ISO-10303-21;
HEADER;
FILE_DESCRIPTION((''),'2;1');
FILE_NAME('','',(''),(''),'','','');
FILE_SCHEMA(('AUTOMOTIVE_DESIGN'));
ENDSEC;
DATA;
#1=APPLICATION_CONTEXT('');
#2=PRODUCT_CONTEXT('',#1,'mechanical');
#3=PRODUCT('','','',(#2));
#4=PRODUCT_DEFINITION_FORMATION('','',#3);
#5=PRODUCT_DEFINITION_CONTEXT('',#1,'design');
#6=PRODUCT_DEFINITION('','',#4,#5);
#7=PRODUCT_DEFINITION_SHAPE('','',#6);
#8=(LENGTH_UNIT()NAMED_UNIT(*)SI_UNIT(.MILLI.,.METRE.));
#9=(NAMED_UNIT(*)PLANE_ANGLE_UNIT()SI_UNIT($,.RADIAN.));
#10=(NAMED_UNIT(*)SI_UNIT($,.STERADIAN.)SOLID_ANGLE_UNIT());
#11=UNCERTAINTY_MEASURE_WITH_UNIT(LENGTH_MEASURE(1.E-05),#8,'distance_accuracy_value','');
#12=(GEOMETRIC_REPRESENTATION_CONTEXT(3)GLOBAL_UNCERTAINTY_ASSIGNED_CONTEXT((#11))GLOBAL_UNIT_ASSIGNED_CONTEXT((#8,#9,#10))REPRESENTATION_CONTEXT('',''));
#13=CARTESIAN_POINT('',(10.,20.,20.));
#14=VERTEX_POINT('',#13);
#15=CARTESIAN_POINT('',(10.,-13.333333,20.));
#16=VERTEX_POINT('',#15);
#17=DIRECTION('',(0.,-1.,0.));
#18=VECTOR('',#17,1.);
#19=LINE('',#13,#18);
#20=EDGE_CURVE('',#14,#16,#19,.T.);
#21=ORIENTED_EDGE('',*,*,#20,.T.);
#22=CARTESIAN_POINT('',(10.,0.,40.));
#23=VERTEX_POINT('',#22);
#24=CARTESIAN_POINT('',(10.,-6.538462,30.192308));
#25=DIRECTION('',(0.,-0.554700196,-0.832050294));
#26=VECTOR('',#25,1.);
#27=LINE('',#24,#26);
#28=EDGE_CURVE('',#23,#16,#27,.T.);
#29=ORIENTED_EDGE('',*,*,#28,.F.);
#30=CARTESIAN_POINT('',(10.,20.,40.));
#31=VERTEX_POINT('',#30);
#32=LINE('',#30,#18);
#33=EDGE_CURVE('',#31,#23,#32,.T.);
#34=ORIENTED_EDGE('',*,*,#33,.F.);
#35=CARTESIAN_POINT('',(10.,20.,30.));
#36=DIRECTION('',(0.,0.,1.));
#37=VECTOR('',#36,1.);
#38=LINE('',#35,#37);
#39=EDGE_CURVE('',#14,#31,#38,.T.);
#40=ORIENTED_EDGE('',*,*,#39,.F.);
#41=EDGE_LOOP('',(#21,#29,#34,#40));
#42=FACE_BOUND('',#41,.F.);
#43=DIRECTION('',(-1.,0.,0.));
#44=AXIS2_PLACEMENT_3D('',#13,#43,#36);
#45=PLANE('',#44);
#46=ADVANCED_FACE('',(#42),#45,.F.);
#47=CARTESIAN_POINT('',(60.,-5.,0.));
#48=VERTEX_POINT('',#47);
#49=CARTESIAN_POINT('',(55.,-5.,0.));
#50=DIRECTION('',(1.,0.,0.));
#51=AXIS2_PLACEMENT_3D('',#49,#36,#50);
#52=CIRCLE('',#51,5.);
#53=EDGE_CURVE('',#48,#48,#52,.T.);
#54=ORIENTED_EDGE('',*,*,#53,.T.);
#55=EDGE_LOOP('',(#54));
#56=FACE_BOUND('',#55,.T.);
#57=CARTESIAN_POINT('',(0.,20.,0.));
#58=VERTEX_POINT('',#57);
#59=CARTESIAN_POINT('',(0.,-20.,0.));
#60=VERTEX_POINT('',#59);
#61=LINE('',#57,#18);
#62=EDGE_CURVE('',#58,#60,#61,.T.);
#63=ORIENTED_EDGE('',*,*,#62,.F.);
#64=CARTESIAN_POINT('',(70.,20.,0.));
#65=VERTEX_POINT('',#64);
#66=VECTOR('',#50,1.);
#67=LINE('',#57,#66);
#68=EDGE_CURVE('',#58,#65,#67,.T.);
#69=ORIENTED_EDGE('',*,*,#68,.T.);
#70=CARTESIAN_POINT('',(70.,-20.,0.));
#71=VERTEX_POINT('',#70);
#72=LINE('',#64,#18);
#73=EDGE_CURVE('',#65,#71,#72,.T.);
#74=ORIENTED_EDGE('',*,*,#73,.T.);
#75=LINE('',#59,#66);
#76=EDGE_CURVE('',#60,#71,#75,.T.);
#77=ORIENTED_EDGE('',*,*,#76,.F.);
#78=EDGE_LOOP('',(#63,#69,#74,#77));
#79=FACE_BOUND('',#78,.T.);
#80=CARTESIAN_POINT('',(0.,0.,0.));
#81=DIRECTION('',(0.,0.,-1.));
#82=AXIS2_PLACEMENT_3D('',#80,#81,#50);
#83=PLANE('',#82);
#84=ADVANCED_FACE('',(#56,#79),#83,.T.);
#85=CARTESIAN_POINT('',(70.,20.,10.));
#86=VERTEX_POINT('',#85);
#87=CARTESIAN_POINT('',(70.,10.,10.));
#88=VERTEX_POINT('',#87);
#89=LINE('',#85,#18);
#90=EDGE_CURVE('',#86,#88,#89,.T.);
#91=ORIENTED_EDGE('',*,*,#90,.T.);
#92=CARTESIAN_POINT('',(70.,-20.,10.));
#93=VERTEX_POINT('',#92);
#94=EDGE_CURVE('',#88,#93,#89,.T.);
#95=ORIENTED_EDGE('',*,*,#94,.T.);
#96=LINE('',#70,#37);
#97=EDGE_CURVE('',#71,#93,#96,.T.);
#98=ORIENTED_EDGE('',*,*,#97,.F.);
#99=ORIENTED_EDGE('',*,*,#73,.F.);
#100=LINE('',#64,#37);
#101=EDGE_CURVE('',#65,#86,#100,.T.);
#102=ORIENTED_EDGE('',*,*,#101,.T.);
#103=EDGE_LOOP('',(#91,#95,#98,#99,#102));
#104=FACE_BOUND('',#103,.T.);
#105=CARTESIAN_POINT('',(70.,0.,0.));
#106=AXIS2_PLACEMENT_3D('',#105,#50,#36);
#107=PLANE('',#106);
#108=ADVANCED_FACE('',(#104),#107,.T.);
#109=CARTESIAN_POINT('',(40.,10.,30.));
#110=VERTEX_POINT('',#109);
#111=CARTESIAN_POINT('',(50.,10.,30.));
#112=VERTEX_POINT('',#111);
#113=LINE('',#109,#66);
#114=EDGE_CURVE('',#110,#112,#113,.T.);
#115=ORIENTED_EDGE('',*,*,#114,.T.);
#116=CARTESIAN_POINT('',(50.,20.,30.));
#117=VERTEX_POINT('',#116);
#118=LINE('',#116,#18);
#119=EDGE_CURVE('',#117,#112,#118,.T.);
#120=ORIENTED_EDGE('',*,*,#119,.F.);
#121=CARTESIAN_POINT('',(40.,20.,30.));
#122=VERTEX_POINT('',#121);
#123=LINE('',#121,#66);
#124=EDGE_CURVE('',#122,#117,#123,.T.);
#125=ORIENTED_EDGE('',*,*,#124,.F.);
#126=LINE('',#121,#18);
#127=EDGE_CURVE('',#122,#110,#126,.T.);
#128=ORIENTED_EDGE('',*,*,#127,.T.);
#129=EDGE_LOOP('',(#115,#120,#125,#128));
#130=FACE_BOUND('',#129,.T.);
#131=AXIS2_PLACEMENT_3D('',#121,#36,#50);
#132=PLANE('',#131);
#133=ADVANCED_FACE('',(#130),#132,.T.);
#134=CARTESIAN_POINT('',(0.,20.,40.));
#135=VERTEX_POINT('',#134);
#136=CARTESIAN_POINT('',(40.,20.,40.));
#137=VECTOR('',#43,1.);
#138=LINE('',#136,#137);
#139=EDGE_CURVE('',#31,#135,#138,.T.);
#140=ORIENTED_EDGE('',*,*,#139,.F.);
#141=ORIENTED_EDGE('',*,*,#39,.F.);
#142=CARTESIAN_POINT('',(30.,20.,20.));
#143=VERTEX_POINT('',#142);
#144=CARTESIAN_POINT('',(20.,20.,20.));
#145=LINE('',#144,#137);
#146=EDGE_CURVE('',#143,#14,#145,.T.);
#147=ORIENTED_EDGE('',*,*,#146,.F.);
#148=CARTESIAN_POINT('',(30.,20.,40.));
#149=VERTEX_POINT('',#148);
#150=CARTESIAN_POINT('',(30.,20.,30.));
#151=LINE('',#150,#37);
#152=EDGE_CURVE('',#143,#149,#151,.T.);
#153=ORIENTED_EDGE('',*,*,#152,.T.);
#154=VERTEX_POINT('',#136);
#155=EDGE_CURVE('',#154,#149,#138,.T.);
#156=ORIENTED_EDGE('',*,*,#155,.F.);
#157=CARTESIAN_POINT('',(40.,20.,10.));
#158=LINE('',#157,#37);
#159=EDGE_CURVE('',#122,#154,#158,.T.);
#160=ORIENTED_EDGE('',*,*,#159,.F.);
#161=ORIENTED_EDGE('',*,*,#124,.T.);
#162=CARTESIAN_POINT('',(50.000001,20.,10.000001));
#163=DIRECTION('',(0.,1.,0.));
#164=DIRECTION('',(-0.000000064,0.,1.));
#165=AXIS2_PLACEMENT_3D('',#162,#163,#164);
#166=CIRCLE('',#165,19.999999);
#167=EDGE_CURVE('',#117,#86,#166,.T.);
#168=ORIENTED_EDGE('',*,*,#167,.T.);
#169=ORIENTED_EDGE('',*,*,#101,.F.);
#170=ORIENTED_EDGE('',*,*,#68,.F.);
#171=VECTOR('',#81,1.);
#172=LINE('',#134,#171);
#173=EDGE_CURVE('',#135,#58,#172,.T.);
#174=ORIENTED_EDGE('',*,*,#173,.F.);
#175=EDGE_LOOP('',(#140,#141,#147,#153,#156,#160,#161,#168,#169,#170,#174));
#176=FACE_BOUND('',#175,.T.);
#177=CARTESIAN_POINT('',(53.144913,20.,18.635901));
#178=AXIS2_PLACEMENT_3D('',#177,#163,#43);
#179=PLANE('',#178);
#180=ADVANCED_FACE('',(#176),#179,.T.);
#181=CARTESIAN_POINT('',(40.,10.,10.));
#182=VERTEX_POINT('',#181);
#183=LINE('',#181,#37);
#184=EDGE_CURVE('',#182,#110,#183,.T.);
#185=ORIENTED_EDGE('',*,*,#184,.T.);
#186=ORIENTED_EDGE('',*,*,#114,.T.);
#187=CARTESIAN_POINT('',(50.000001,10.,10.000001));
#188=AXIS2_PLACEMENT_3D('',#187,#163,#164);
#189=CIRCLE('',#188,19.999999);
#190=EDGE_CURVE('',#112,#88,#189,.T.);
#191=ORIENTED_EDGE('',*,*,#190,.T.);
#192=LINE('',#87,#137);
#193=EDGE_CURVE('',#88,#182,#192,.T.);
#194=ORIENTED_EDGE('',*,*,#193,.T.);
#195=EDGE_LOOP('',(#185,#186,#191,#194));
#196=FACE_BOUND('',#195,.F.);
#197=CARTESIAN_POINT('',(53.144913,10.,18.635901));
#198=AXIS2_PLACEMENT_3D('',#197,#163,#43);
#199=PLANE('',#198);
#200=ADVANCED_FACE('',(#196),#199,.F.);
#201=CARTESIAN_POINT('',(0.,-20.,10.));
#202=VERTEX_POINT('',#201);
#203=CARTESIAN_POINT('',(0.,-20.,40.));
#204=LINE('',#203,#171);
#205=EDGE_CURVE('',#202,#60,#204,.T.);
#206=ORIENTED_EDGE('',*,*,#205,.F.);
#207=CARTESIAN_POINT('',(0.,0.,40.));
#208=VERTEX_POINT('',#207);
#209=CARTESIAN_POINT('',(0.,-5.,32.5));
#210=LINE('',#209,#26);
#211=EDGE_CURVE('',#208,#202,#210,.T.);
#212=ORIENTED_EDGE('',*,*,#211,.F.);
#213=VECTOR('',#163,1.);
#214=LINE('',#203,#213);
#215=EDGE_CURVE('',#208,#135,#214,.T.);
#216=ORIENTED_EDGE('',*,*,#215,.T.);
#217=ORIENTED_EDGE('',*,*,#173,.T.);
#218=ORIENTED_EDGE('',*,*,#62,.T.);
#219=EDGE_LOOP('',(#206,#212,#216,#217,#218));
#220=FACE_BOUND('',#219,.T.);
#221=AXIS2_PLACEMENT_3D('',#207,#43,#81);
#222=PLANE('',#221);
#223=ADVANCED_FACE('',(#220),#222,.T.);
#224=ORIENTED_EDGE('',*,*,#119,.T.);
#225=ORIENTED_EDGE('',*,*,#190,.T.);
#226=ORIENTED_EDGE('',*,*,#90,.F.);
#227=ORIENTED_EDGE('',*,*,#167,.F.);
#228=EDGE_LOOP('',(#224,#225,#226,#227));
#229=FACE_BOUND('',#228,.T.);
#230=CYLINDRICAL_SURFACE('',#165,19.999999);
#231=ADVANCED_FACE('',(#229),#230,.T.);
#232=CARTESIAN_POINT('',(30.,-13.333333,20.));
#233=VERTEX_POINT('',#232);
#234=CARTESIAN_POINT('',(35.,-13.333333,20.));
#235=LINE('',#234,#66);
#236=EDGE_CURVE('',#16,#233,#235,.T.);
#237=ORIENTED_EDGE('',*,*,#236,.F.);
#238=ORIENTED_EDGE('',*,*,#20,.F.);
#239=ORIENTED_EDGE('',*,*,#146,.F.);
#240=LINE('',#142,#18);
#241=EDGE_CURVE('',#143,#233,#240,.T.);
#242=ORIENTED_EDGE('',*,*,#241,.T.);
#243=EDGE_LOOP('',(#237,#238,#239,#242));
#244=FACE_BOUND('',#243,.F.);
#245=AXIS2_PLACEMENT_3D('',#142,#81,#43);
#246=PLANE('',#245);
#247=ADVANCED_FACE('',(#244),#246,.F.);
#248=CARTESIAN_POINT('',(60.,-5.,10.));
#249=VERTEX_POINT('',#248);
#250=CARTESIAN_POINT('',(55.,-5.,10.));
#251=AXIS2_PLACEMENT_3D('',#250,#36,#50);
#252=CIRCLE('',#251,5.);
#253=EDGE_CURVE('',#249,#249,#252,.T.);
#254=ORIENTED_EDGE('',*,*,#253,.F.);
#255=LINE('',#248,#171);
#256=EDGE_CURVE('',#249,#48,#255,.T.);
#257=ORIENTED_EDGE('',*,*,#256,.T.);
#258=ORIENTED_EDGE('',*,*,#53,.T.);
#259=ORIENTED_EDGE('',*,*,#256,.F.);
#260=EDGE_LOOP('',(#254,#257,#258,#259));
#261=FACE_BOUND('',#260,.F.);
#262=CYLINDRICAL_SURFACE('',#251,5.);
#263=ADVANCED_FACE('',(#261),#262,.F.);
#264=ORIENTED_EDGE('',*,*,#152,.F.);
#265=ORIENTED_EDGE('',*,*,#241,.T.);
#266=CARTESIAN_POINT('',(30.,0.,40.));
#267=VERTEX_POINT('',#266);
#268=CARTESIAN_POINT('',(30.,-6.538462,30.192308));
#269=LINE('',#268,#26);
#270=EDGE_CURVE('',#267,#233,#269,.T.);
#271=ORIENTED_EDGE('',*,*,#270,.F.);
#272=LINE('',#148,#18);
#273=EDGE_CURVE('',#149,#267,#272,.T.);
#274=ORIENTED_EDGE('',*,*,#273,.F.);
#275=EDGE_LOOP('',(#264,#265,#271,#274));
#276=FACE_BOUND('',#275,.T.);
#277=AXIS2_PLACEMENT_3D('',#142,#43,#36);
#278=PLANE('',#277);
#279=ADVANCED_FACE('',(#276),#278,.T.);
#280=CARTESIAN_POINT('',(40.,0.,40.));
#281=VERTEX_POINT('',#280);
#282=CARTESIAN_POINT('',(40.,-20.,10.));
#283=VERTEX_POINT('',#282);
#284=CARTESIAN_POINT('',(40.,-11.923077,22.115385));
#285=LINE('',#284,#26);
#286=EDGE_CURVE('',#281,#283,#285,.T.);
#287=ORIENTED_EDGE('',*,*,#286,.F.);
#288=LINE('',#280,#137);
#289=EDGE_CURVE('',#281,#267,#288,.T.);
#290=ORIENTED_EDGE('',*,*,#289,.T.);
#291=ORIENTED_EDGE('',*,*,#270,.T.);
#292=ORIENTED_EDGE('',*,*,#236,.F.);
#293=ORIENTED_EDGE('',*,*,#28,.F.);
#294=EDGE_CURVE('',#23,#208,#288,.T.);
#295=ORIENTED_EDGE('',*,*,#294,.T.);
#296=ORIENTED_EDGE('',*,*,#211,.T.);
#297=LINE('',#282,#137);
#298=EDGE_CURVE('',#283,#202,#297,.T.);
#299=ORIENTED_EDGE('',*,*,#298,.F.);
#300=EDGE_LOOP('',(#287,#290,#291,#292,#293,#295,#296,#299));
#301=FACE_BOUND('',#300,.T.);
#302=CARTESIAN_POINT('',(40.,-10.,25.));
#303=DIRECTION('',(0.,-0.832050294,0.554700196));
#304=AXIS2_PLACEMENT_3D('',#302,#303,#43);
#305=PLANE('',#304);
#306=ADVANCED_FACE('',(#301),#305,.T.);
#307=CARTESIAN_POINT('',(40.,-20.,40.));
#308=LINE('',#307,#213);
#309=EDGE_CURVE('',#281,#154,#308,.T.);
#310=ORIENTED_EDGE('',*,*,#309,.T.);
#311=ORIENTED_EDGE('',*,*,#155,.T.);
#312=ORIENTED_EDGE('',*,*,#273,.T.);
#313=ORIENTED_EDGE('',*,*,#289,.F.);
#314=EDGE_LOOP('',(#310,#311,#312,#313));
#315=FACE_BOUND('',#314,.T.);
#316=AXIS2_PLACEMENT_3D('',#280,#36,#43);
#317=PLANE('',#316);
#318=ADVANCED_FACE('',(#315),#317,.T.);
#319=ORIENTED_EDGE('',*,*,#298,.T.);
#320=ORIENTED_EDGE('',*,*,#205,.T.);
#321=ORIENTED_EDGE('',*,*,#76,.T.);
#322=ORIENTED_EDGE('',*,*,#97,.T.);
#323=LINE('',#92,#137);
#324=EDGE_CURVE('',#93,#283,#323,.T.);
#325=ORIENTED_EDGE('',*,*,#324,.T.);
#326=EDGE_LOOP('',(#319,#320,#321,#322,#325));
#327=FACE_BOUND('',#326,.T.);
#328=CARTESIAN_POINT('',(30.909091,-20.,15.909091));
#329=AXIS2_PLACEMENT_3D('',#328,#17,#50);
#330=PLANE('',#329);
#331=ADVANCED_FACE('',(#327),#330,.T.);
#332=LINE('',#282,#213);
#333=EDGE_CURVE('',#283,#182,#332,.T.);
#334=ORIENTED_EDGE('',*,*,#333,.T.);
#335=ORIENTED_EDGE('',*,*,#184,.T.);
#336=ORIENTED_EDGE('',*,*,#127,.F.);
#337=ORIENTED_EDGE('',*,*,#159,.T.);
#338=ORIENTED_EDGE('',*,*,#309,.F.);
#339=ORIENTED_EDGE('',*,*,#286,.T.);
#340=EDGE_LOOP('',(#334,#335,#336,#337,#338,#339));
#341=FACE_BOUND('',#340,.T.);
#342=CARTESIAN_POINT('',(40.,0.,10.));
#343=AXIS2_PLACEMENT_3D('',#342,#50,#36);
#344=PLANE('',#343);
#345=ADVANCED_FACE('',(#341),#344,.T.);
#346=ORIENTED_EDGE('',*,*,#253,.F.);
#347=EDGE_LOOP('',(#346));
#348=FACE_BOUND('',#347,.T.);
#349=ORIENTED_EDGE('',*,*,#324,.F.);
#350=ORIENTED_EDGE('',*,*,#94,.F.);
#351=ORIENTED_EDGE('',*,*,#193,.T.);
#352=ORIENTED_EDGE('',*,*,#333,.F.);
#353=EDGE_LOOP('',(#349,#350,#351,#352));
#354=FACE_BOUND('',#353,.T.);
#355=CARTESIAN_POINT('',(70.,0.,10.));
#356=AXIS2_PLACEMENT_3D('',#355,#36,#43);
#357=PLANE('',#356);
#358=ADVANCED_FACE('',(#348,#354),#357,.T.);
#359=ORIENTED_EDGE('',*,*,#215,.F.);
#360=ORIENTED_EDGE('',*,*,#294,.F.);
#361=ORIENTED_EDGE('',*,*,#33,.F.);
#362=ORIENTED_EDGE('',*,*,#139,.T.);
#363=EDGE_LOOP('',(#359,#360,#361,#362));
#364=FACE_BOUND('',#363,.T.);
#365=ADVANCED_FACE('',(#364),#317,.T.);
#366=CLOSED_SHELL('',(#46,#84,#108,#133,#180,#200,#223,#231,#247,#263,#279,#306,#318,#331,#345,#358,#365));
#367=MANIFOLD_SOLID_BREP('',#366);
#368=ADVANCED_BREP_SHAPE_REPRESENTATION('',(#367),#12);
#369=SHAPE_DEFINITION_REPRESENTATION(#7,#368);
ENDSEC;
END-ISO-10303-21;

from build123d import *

# Parameters (mm, degrees)
F1_DEPTH = 20
F2_SIZE2 = 30
F2_SIZE  = 20
F3_W     = 20
F3_H     = 20
F4_DEPTH = 40.001
F6_DEPTH = 10
F7_R     = 5
F8_DEPTH = 10


with BuildPart() as f1:
    # F0 (on Front) → F1 (new body, symmetric)
    with BuildSketch(Plane.XZ):
        Polygon((0, 40), (0, 0), (70, 0), (70, 10), (40, 10), (40, 40), align=None)
    extrude(amount=F1_DEPTH, both=True)

    # F2
    f2_edges = [f1.edges().sort_by_distance(p)[0] for p in [
        (20, -20, 40),
    ]]
    chamfer(f2_edges, length=F2_SIZE, length2=F2_SIZE2)

    # F3 (on face) → F4 (cut, through all)
    with BuildSketch(Plane(origin=(0, 20, 0), x_dir=(-1, 0, 0), z_dir=(0, 1, 0))):
        with Locations((-20, 30)):
            Rectangle(F3_W, F3_H)
    extrude(amount=-F4_DEPTH, mode=Mode.SUBTRACT)

    # F5 (on face) → F6 (join)
    with BuildSketch(Plane(origin=(0, 20, 0), x_dir=(-1, 0, 0), z_dir=(0, 1, 0))):
        with BuildLine():
            Line((-40, 10), (-40, 30))
            Line((-40, 30), (-50, 30))
            ThreePointArc((-50, 30), (-64.142136, 24.142136), (-70, 10))
            Line((-70, 10), (-40, 10))
        make_face()
    extrude(amount=-F6_DEPTH)

    # F7 (on face) → F8 (cut, through all)
    with BuildSketch(Plane.XY.offset(10)):
        with Locations((55, -5)):
            Circle(F7_R)
    extrude(amount=-F8_DEPTH, mode=Mode.SUBTRACT)


solid = f1.part
